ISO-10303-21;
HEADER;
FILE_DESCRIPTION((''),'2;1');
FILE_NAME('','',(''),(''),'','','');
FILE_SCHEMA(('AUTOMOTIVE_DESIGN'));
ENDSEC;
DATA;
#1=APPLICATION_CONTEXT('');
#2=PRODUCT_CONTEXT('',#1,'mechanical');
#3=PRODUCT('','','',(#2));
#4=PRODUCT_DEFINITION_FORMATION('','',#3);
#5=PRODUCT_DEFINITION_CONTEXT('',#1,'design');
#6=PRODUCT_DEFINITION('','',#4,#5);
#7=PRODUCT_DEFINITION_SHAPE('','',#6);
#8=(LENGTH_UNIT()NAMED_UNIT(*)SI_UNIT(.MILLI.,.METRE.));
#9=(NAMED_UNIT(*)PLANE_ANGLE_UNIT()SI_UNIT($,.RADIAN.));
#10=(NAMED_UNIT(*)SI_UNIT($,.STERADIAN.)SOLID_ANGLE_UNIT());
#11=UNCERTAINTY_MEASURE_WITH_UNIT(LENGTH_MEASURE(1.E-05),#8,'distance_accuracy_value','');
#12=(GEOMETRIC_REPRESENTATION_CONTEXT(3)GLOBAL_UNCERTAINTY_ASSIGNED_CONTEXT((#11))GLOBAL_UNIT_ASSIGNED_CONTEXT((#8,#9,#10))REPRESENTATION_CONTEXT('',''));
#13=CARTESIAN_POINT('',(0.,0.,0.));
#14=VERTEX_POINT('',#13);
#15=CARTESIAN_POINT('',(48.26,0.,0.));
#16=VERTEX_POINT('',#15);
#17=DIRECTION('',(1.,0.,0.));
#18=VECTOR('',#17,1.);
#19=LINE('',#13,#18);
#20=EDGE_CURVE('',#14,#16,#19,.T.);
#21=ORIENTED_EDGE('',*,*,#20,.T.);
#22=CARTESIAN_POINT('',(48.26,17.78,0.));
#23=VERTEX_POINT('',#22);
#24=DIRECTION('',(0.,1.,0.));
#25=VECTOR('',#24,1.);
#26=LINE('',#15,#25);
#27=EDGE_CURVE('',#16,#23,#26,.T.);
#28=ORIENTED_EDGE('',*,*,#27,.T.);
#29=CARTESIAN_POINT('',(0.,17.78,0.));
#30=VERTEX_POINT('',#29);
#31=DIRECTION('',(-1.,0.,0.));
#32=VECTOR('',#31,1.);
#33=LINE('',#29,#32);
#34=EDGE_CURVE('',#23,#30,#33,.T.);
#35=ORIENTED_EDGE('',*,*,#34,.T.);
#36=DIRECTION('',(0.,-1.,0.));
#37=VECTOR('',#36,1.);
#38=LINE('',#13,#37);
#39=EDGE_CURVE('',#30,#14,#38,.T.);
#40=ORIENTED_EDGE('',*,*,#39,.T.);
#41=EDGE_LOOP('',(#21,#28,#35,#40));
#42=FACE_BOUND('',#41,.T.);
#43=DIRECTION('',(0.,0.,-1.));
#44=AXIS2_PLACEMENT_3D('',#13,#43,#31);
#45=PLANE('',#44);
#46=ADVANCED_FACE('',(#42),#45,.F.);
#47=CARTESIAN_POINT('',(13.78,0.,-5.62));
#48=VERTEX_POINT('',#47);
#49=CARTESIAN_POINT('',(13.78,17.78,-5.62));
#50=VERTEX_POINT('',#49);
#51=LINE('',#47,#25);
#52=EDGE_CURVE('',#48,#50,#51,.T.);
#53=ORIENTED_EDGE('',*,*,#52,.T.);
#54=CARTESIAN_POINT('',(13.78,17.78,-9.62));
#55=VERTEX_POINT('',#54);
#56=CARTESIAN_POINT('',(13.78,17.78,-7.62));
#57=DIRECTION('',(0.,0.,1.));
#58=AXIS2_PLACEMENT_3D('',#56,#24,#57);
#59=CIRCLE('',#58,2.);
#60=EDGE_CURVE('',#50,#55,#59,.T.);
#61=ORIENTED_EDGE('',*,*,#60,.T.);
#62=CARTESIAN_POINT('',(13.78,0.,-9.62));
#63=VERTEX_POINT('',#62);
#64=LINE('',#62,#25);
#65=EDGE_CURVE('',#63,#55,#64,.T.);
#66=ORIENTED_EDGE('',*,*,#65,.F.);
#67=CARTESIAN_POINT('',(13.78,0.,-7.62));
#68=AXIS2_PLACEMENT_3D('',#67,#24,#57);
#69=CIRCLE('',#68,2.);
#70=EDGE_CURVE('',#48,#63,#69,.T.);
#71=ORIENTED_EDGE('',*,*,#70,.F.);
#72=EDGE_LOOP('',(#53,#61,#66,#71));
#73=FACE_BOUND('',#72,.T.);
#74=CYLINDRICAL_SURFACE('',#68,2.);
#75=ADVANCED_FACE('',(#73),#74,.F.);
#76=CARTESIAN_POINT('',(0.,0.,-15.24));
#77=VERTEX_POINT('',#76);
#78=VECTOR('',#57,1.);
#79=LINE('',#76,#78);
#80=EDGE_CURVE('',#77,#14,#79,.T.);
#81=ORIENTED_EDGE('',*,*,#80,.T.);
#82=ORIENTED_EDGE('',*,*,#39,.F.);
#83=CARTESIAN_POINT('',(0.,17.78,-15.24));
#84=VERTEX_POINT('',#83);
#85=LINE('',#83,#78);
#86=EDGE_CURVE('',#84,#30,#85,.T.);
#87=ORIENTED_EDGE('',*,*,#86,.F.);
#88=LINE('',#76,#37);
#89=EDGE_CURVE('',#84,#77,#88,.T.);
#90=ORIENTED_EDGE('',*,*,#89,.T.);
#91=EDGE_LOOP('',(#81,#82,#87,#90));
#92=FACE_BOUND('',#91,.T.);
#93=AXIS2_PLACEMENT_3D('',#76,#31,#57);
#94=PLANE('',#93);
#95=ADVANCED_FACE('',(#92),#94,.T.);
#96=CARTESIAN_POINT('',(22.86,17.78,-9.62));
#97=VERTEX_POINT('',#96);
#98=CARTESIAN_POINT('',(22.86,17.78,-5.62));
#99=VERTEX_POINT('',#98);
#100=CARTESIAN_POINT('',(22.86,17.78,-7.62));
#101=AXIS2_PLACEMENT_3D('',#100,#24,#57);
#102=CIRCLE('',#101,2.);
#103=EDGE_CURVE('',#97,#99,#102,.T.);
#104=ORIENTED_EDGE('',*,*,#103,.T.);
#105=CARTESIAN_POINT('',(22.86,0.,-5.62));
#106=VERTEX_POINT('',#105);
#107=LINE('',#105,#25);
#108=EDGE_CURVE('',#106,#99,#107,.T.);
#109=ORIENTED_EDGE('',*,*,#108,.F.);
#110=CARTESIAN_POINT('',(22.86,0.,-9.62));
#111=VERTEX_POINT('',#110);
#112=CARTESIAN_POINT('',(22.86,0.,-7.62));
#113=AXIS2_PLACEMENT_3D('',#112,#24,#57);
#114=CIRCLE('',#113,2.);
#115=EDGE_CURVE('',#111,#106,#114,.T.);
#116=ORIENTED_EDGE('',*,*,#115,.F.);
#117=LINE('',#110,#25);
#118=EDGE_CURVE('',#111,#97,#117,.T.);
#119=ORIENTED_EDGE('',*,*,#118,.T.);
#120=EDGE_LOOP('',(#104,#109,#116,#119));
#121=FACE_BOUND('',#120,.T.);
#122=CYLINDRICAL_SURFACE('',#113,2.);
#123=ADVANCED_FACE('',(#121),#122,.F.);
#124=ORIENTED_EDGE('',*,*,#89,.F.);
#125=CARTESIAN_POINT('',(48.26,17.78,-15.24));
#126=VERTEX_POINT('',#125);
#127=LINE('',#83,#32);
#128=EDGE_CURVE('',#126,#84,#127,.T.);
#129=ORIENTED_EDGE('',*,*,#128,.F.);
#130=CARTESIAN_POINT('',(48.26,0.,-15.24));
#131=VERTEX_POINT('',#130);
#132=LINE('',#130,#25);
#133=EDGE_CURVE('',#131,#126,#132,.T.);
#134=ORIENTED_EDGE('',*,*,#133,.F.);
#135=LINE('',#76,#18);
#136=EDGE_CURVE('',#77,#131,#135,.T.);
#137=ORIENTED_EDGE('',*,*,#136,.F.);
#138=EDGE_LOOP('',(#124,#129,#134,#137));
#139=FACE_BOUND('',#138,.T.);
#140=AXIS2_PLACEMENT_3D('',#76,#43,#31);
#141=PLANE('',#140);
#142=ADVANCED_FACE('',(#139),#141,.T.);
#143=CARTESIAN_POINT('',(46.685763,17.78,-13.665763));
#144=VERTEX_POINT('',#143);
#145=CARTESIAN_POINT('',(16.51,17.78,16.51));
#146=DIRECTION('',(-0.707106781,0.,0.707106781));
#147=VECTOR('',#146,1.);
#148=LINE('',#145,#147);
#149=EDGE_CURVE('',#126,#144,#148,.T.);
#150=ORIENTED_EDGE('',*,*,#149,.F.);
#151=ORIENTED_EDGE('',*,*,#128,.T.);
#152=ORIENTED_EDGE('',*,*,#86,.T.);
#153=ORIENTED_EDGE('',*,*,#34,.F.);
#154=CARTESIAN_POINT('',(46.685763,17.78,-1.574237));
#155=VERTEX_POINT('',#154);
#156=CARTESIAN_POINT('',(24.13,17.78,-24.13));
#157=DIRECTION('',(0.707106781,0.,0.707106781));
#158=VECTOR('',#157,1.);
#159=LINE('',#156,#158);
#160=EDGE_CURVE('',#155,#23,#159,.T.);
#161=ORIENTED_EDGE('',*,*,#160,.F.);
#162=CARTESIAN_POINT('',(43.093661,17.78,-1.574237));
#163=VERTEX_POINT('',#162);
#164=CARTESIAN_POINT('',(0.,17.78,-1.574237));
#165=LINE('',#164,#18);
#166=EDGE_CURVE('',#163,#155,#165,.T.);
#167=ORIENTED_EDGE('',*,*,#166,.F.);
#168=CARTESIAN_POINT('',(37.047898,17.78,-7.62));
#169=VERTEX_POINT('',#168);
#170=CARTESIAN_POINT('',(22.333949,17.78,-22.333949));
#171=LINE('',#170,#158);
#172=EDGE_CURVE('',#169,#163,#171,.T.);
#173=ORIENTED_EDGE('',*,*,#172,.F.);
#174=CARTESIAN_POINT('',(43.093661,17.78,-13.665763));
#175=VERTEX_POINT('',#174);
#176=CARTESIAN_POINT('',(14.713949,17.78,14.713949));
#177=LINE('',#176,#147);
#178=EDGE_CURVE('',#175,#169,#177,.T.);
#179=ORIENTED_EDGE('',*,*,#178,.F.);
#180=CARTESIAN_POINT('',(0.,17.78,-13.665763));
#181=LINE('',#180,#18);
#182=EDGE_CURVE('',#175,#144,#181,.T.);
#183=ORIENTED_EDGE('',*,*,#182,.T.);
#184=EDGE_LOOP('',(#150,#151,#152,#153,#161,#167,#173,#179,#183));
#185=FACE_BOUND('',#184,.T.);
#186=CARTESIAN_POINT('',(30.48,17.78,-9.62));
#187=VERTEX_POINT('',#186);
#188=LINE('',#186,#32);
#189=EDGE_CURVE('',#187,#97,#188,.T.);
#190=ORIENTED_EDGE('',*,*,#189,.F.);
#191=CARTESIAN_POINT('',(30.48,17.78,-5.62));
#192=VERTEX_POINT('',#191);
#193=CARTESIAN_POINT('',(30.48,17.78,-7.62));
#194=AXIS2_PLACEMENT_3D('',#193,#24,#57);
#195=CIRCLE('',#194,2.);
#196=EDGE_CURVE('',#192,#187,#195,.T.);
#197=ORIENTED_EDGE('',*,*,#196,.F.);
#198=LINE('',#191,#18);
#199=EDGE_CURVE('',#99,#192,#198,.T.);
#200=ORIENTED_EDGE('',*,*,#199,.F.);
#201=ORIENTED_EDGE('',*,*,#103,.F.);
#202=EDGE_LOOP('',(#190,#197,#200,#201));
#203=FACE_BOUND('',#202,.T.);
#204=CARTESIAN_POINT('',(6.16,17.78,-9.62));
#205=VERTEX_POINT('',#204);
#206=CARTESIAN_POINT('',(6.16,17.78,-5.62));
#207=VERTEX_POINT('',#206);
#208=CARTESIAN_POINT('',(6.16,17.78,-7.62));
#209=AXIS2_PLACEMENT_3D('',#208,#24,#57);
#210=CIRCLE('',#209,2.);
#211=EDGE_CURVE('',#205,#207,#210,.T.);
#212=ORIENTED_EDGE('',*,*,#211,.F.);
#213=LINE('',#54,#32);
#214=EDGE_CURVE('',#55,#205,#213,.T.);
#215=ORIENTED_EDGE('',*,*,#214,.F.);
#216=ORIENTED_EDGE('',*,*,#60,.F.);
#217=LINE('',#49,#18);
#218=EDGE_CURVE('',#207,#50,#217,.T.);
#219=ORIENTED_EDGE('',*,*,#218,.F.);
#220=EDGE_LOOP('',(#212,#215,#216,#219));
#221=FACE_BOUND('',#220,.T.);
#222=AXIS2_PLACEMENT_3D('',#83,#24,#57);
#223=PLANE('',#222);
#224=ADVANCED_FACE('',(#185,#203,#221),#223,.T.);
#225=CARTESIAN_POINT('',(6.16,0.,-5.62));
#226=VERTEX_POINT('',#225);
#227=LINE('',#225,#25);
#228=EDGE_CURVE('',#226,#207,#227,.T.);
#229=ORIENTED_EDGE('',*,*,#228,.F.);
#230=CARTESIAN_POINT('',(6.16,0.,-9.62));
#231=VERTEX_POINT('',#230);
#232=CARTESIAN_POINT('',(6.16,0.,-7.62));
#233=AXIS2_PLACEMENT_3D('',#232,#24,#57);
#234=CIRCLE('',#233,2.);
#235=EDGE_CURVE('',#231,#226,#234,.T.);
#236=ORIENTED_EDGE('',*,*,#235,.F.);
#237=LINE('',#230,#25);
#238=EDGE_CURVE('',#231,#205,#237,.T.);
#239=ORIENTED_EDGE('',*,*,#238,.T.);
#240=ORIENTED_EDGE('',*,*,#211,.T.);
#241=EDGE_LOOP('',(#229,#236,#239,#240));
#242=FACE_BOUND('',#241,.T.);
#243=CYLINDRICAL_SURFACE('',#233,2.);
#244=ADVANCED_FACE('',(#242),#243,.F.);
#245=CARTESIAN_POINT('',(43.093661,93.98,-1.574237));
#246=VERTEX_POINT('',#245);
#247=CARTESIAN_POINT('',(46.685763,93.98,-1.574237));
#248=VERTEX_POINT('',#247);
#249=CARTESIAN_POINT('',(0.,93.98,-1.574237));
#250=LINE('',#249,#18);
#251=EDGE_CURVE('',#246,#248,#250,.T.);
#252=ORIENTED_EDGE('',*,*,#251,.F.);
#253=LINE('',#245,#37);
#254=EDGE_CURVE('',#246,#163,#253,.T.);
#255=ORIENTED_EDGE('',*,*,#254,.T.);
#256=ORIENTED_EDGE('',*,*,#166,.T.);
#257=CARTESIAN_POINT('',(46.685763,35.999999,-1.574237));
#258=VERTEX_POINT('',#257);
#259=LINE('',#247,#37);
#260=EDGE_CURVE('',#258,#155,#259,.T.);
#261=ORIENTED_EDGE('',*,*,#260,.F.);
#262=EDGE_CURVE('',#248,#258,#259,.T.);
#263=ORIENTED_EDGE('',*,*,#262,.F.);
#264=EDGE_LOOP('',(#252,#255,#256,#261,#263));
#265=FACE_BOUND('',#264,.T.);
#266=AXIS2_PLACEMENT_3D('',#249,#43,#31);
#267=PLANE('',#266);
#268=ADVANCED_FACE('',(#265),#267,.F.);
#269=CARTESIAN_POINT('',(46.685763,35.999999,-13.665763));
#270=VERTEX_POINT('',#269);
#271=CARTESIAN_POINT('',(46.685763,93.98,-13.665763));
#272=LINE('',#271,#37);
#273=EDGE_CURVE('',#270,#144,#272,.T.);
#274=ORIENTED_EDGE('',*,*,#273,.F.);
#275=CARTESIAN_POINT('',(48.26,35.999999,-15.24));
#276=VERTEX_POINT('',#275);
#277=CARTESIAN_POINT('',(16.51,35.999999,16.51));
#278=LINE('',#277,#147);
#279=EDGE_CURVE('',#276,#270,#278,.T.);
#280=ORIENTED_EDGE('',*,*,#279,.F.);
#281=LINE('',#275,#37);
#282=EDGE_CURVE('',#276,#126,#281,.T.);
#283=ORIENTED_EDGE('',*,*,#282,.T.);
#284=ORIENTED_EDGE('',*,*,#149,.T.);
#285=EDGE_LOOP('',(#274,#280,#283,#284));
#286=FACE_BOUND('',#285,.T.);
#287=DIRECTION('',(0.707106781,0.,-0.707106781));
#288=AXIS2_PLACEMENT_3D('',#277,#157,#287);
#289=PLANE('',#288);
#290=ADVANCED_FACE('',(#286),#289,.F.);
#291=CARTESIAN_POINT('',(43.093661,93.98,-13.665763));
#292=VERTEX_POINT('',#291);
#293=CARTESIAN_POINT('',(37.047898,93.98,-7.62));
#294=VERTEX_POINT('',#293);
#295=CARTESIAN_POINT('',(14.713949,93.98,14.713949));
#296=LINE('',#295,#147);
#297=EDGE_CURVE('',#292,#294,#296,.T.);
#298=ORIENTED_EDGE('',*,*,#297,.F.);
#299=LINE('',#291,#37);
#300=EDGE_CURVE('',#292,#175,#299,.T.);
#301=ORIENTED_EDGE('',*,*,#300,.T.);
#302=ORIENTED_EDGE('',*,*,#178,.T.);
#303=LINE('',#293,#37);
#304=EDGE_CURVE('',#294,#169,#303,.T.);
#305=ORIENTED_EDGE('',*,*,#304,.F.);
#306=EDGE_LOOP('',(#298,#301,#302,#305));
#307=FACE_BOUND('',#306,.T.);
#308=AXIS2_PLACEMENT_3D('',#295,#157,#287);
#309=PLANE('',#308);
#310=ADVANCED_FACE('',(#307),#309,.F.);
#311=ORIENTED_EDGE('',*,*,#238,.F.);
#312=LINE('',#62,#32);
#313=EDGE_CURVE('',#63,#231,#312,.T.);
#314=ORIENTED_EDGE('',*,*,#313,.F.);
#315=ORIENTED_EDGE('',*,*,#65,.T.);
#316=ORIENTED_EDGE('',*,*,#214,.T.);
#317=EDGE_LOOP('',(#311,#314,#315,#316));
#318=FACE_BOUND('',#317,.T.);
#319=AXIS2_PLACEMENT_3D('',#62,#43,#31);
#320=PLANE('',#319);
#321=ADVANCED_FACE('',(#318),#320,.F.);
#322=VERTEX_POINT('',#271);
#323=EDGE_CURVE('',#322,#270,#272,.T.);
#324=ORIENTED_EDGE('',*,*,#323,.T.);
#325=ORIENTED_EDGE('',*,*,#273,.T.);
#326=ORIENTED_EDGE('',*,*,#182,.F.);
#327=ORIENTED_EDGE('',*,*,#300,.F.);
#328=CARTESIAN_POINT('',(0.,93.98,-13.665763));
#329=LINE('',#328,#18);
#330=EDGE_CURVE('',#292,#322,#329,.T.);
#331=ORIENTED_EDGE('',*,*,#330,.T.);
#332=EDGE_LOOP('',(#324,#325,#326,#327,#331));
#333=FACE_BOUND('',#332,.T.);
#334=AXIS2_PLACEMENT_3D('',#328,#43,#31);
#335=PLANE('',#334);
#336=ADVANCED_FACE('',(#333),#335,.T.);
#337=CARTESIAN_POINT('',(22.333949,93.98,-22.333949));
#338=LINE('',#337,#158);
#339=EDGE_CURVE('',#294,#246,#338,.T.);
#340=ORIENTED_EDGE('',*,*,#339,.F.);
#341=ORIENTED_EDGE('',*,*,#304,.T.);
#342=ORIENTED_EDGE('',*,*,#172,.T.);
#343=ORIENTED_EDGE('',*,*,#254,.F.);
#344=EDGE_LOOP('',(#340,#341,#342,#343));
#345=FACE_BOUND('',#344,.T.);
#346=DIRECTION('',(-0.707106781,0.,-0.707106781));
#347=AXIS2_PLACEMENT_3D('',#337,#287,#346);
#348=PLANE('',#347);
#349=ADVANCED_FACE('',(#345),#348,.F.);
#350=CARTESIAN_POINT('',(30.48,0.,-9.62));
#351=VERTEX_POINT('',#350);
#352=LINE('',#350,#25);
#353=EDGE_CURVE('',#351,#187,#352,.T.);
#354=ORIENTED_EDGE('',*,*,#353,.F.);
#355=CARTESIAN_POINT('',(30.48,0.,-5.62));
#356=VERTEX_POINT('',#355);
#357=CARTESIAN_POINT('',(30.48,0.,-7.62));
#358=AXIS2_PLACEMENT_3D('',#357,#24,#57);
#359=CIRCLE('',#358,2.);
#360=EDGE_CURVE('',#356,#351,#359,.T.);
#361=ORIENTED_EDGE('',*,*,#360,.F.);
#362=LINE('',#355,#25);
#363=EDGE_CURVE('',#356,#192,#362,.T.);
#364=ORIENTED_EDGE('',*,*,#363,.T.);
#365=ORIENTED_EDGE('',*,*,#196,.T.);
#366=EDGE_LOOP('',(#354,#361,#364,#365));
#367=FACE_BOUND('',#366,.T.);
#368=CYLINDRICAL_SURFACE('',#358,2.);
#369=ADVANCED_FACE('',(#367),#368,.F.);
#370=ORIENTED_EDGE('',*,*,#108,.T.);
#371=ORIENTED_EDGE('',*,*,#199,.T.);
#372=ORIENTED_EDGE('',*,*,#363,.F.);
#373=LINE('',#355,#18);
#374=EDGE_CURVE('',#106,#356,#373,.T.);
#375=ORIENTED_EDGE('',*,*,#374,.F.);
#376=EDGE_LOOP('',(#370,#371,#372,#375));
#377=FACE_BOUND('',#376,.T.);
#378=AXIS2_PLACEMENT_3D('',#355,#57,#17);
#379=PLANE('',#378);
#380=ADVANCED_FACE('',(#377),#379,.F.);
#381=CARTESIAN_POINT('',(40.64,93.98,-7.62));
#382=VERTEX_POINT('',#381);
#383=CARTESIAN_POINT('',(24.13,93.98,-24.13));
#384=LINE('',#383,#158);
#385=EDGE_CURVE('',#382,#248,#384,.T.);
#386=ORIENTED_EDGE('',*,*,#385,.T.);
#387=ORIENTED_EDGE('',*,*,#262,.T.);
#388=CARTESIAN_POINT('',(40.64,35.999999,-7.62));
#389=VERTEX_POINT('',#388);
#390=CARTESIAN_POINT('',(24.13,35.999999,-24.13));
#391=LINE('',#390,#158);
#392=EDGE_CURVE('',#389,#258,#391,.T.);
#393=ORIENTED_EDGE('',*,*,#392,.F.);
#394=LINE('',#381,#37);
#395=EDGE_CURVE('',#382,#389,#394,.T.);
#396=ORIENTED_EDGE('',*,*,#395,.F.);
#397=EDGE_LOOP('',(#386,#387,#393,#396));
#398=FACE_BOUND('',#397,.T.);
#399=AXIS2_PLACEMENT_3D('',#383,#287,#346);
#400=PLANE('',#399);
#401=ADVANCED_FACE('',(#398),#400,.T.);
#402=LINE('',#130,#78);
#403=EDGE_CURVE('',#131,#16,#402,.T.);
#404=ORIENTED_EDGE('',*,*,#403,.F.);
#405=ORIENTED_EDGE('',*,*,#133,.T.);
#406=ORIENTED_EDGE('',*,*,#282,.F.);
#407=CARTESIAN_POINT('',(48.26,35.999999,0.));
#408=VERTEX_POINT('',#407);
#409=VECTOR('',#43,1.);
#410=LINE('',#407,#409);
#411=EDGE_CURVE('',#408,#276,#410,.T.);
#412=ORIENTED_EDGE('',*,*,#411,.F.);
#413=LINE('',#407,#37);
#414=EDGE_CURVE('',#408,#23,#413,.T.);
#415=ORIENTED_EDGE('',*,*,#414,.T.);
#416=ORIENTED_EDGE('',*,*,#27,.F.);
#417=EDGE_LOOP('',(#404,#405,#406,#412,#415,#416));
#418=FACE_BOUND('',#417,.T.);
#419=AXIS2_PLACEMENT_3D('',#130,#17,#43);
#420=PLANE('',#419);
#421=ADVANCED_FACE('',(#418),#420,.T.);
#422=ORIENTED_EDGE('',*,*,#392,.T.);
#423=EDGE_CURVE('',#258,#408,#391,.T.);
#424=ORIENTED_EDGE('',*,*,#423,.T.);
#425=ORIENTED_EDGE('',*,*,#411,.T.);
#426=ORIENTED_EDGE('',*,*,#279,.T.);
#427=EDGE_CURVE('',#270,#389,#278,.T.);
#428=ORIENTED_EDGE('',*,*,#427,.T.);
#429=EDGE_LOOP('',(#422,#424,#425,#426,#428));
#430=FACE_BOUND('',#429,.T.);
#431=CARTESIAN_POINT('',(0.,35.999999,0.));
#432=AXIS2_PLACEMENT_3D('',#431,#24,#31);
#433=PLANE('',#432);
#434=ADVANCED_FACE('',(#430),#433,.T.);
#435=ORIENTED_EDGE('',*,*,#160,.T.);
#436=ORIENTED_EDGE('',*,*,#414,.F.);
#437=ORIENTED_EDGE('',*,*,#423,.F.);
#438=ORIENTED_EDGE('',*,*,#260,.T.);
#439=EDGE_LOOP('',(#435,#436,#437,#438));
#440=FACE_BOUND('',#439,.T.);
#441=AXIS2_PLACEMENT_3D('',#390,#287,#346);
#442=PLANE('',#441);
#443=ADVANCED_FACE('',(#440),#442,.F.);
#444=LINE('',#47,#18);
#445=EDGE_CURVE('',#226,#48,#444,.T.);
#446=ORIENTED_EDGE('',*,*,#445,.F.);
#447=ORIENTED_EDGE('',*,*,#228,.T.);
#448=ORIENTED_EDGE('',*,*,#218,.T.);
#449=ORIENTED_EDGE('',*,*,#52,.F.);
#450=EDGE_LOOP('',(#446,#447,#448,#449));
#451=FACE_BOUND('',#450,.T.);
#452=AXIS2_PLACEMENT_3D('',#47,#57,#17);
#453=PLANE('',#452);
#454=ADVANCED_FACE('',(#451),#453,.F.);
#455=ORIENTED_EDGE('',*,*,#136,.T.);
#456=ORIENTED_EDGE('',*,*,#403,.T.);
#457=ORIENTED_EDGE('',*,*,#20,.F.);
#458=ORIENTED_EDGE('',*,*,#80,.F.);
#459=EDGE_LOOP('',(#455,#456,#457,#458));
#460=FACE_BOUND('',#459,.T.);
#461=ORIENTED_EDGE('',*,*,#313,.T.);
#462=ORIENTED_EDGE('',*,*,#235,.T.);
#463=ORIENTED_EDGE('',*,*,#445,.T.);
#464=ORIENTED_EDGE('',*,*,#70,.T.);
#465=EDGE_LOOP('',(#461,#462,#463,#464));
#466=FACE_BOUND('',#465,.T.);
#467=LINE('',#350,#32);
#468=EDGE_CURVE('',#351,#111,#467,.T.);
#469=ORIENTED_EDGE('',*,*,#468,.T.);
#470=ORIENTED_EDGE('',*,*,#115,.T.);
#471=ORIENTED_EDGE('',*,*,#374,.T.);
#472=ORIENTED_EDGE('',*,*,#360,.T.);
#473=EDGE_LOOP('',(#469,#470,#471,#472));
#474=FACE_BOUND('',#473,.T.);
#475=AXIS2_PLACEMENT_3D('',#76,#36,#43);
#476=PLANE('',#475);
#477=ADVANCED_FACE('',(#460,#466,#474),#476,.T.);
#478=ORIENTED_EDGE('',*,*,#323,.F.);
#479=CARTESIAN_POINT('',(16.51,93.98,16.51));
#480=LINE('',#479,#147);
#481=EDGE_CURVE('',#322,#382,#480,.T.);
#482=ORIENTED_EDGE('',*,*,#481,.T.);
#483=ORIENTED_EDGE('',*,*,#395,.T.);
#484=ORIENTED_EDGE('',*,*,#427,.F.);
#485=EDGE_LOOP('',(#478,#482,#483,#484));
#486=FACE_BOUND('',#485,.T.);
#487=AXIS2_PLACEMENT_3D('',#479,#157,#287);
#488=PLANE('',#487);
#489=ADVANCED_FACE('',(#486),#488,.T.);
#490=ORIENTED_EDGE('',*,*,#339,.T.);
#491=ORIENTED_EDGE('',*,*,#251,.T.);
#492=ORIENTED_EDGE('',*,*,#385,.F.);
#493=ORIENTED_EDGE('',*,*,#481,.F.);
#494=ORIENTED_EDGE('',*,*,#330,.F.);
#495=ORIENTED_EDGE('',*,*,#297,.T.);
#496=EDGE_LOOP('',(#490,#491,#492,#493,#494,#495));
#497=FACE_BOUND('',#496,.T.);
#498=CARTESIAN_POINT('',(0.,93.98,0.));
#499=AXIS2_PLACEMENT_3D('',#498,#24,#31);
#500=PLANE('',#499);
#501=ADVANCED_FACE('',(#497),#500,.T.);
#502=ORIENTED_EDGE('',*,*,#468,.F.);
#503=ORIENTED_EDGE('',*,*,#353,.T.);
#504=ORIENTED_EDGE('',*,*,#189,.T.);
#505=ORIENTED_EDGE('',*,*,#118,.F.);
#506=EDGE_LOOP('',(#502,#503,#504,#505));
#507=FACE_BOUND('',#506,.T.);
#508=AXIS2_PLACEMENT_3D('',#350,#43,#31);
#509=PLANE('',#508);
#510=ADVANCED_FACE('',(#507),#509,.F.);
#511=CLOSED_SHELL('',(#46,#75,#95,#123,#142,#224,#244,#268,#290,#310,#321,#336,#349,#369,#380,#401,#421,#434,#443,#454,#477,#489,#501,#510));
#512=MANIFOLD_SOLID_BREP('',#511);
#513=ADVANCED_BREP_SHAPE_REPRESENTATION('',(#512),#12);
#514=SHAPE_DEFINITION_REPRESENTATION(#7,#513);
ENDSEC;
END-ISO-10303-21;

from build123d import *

# Parameters (mm, degrees)
SKETCH1_W           = 48.26
SKETCH1_H           = 17.78
BOSS_EXTRUDE1_DEPTH = 15.24
CUT_EXTRUDE2_DEPTH  = 54.641528688
BOSS_EXTRUDE2_DEPTH = 76.2
BOSS_EXTRUDE4_DEPTH = 18.21999912


with BuildPart() as part:
    # Sketch1 → Boss-Extrude1 (new body)
    with BuildSketch(Plane.XY):
        with Locations((24.13, 8.89)):
            Rectangle(SKETCH1_W, SKETCH1_H)
    extrude(amount=-BOSS_EXTRUDE1_DEPTH)

    # Sketch4 → Cut-Extrude2 (cut, through all)
    with BuildSketch(Plane(origin=(0, 17.78, 0), x_dir=(1, 0, 0), z_dir=(0, 1, 0))):
        with BuildLine():
            Line((30.48, 5.62), (22.86, 5.62))
            ThreePointArc((22.86, 5.62), (20.86, 7.62), (22.86, 9.62))
            Line((22.86, 9.62), (30.48, 9.62))
            ThreePointArc((30.48, 9.62), (32.48, 7.62), (30.48, 5.62))
        make_face()
        with BuildLine():
            Line((13.78, 5.62), (6.16, 5.62))
            ThreePointArc((6.16, 5.62), (4.16, 7.62), (6.16, 9.62))
            Line((6.16, 9.62), (13.78, 9.62))
            ThreePointArc((13.78, 9.62), (15.78, 7.62), (13.78, 5.62))
        make_face()
    extrude(amount=-CUT_EXTRUDE2_DEPTH, mode=Mode.SUBTRACT)

    # Sketch3 → Boss-Extrude2 (add)
    with BuildSketch(Plane(origin=(0, 17.78, 0), x_dir=(1, 0, 0), z_dir=(0, 1, 0))):
        Polygon((40.64, 7.62), (46.685762979, 13.665762979), (43.093660531, 13.665762979), (37.047897552, 7.62), (43.093660531, 1.574237021), (46.685762979, 1.574237021), align=None)
    extrude(amount=BOSS_EXTRUDE2_DEPTH)

    # Sketch3<7> → Boss-Extrude4 (add)
    with BuildSketch(Plane(origin=(0, 17.78, 0), x_dir=(1, 0, 0), z_dir=(0, 1, 0))):
        Polygon((48.26, 0), (48.26, 15.24), (46.685762979, 13.665762979), (40.64, 7.62), (46.685762979, 1.574237021), align=None)
    extrude(amount=BOSS_EXTRUDE4_DEPTH)


solid = part.part
